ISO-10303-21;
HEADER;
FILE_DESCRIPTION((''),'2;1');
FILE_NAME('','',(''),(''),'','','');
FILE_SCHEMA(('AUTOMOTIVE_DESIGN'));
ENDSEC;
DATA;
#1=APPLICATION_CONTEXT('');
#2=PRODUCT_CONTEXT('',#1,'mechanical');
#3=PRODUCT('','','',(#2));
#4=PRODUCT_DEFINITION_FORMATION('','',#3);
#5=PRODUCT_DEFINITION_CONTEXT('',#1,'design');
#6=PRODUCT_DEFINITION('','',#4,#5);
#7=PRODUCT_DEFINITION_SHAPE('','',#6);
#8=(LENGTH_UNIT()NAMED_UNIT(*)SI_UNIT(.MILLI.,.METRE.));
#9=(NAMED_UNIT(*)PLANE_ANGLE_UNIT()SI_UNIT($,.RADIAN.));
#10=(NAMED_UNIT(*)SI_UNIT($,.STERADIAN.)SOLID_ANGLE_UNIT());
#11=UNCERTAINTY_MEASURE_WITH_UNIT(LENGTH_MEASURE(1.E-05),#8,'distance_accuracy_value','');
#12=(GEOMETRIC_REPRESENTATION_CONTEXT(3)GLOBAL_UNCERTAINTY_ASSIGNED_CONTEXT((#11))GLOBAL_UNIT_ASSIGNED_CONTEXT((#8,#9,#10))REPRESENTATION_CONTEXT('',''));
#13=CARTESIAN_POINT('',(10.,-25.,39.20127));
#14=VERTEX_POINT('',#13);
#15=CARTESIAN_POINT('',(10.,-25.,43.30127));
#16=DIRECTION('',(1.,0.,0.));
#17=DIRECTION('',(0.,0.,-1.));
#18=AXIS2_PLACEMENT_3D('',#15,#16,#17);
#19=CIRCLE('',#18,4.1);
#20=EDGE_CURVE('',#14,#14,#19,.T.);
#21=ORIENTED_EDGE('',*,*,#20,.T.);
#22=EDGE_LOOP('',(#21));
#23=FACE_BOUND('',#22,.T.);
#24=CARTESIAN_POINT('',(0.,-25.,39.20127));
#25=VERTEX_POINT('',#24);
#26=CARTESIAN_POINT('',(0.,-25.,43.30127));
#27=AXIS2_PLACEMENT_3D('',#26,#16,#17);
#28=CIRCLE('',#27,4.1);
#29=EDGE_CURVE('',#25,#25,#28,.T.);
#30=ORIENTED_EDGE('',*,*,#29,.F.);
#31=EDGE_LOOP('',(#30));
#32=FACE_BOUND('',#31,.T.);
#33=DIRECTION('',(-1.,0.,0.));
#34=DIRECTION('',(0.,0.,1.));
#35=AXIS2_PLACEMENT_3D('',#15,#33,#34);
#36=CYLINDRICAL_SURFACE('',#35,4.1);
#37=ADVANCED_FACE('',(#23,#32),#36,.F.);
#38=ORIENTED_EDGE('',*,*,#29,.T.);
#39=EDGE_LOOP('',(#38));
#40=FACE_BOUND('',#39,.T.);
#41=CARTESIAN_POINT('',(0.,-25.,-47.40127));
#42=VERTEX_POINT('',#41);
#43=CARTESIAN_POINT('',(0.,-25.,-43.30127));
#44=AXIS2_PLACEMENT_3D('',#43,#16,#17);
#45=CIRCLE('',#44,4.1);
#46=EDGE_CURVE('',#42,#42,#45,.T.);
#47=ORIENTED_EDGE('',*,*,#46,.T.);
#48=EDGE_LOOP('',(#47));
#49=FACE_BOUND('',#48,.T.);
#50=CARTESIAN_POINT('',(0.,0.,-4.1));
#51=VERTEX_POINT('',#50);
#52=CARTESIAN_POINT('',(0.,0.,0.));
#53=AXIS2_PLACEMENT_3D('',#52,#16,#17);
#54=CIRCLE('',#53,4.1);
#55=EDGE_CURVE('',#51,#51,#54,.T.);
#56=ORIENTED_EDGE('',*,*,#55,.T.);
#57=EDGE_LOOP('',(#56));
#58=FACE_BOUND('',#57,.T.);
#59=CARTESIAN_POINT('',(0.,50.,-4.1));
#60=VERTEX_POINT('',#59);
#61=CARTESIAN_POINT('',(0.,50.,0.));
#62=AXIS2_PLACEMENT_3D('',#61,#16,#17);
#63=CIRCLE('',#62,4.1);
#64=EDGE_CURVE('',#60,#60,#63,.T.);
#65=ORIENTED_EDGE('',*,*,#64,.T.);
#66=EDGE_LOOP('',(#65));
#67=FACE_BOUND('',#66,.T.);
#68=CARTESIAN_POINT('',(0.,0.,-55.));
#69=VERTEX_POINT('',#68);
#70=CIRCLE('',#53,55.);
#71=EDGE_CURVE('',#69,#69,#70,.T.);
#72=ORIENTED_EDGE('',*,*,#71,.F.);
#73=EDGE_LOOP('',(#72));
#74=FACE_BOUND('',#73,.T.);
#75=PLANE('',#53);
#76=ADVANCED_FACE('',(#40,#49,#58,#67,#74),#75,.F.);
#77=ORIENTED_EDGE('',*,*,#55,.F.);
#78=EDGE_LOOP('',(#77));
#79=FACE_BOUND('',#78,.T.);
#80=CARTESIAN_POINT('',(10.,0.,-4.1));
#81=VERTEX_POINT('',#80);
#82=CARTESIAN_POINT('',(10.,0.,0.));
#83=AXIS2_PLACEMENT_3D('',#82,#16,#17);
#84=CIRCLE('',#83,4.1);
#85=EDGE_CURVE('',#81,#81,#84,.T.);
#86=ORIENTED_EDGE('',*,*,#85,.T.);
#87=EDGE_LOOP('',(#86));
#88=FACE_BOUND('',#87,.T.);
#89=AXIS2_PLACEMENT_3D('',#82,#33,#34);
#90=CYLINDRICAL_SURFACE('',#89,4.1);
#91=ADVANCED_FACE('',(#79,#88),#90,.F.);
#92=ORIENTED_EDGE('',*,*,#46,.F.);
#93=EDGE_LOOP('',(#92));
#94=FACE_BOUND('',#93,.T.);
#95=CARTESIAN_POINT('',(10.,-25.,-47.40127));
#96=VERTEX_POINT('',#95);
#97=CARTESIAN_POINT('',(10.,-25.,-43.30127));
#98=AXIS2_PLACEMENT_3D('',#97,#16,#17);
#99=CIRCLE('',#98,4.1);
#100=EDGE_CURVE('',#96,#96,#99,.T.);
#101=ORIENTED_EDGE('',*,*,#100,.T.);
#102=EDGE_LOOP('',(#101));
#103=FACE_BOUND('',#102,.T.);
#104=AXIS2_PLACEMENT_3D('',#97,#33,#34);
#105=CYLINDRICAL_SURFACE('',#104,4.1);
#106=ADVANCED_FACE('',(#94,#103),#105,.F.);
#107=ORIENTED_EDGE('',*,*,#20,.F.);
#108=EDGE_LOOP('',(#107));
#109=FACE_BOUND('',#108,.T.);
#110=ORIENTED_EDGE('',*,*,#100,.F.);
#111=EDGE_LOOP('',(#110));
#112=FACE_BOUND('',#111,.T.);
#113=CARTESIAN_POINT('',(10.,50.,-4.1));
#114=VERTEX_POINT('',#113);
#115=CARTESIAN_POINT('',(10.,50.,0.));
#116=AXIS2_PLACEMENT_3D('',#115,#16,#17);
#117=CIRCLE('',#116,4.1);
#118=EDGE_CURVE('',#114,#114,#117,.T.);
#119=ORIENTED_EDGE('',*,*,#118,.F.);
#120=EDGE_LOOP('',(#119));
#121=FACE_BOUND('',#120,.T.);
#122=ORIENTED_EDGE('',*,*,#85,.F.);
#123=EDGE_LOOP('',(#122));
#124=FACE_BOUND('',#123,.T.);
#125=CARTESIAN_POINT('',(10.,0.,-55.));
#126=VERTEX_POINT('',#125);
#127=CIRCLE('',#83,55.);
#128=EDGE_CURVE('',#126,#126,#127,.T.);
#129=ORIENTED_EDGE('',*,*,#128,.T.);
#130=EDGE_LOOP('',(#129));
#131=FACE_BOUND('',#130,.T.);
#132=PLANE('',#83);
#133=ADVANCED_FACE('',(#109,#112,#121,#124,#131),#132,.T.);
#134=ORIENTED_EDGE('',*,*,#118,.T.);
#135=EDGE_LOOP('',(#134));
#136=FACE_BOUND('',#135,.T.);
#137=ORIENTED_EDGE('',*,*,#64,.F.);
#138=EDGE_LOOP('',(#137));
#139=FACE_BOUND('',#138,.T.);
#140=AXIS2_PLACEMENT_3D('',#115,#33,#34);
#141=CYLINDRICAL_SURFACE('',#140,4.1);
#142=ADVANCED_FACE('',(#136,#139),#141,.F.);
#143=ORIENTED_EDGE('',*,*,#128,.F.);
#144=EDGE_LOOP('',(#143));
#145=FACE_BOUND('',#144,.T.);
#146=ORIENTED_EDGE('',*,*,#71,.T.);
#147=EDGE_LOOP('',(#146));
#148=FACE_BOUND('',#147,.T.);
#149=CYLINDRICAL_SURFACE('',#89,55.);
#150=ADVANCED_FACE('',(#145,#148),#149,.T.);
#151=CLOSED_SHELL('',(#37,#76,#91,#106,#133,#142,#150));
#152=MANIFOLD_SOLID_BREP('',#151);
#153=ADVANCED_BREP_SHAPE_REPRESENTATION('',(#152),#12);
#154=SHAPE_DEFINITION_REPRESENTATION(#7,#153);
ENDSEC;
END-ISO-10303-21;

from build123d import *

# Parameters (mm, degrees)
SKETCH1_R           = 55
BOSS_EXTRUDE1_DEPTH = 10
SKETCH2_R           = 4.1
CUT_EXTRUDE1_DEPTH  = 79.421935707


with BuildPart() as part:
    # Sketch1 → Boss-Extrude1 (new body)
    with BuildSketch(Plane(origin=(0, 0, 0), x_dir=(0, 0, -1), z_dir=(1, 0, 0))):
        Circle(SKETCH1_R)
    extrude(amount=BOSS_EXTRUDE1_DEPTH)

    # Sketch2 → Cut-Extrude1 (cut, through all)
    with BuildSketch(Plane(origin=(0, 0, 0), x_dir=(0, 0, -1), z_dir=(1, 0, 0))):
        Circle(SKETCH2_R)
        with Locations((0, 50)):
            Circle(SKETCH2_R)
        with Locations((43.301270189, -25)):
            Circle(SKETCH2_R)
        with Locations((-43.301270189, -25)):
            Circle(SKETCH2_R)
    extrude(amount=CUT_EXTRUDE1_DEPTH, mode=Mode.SUBTRACT)


solid = part.part
